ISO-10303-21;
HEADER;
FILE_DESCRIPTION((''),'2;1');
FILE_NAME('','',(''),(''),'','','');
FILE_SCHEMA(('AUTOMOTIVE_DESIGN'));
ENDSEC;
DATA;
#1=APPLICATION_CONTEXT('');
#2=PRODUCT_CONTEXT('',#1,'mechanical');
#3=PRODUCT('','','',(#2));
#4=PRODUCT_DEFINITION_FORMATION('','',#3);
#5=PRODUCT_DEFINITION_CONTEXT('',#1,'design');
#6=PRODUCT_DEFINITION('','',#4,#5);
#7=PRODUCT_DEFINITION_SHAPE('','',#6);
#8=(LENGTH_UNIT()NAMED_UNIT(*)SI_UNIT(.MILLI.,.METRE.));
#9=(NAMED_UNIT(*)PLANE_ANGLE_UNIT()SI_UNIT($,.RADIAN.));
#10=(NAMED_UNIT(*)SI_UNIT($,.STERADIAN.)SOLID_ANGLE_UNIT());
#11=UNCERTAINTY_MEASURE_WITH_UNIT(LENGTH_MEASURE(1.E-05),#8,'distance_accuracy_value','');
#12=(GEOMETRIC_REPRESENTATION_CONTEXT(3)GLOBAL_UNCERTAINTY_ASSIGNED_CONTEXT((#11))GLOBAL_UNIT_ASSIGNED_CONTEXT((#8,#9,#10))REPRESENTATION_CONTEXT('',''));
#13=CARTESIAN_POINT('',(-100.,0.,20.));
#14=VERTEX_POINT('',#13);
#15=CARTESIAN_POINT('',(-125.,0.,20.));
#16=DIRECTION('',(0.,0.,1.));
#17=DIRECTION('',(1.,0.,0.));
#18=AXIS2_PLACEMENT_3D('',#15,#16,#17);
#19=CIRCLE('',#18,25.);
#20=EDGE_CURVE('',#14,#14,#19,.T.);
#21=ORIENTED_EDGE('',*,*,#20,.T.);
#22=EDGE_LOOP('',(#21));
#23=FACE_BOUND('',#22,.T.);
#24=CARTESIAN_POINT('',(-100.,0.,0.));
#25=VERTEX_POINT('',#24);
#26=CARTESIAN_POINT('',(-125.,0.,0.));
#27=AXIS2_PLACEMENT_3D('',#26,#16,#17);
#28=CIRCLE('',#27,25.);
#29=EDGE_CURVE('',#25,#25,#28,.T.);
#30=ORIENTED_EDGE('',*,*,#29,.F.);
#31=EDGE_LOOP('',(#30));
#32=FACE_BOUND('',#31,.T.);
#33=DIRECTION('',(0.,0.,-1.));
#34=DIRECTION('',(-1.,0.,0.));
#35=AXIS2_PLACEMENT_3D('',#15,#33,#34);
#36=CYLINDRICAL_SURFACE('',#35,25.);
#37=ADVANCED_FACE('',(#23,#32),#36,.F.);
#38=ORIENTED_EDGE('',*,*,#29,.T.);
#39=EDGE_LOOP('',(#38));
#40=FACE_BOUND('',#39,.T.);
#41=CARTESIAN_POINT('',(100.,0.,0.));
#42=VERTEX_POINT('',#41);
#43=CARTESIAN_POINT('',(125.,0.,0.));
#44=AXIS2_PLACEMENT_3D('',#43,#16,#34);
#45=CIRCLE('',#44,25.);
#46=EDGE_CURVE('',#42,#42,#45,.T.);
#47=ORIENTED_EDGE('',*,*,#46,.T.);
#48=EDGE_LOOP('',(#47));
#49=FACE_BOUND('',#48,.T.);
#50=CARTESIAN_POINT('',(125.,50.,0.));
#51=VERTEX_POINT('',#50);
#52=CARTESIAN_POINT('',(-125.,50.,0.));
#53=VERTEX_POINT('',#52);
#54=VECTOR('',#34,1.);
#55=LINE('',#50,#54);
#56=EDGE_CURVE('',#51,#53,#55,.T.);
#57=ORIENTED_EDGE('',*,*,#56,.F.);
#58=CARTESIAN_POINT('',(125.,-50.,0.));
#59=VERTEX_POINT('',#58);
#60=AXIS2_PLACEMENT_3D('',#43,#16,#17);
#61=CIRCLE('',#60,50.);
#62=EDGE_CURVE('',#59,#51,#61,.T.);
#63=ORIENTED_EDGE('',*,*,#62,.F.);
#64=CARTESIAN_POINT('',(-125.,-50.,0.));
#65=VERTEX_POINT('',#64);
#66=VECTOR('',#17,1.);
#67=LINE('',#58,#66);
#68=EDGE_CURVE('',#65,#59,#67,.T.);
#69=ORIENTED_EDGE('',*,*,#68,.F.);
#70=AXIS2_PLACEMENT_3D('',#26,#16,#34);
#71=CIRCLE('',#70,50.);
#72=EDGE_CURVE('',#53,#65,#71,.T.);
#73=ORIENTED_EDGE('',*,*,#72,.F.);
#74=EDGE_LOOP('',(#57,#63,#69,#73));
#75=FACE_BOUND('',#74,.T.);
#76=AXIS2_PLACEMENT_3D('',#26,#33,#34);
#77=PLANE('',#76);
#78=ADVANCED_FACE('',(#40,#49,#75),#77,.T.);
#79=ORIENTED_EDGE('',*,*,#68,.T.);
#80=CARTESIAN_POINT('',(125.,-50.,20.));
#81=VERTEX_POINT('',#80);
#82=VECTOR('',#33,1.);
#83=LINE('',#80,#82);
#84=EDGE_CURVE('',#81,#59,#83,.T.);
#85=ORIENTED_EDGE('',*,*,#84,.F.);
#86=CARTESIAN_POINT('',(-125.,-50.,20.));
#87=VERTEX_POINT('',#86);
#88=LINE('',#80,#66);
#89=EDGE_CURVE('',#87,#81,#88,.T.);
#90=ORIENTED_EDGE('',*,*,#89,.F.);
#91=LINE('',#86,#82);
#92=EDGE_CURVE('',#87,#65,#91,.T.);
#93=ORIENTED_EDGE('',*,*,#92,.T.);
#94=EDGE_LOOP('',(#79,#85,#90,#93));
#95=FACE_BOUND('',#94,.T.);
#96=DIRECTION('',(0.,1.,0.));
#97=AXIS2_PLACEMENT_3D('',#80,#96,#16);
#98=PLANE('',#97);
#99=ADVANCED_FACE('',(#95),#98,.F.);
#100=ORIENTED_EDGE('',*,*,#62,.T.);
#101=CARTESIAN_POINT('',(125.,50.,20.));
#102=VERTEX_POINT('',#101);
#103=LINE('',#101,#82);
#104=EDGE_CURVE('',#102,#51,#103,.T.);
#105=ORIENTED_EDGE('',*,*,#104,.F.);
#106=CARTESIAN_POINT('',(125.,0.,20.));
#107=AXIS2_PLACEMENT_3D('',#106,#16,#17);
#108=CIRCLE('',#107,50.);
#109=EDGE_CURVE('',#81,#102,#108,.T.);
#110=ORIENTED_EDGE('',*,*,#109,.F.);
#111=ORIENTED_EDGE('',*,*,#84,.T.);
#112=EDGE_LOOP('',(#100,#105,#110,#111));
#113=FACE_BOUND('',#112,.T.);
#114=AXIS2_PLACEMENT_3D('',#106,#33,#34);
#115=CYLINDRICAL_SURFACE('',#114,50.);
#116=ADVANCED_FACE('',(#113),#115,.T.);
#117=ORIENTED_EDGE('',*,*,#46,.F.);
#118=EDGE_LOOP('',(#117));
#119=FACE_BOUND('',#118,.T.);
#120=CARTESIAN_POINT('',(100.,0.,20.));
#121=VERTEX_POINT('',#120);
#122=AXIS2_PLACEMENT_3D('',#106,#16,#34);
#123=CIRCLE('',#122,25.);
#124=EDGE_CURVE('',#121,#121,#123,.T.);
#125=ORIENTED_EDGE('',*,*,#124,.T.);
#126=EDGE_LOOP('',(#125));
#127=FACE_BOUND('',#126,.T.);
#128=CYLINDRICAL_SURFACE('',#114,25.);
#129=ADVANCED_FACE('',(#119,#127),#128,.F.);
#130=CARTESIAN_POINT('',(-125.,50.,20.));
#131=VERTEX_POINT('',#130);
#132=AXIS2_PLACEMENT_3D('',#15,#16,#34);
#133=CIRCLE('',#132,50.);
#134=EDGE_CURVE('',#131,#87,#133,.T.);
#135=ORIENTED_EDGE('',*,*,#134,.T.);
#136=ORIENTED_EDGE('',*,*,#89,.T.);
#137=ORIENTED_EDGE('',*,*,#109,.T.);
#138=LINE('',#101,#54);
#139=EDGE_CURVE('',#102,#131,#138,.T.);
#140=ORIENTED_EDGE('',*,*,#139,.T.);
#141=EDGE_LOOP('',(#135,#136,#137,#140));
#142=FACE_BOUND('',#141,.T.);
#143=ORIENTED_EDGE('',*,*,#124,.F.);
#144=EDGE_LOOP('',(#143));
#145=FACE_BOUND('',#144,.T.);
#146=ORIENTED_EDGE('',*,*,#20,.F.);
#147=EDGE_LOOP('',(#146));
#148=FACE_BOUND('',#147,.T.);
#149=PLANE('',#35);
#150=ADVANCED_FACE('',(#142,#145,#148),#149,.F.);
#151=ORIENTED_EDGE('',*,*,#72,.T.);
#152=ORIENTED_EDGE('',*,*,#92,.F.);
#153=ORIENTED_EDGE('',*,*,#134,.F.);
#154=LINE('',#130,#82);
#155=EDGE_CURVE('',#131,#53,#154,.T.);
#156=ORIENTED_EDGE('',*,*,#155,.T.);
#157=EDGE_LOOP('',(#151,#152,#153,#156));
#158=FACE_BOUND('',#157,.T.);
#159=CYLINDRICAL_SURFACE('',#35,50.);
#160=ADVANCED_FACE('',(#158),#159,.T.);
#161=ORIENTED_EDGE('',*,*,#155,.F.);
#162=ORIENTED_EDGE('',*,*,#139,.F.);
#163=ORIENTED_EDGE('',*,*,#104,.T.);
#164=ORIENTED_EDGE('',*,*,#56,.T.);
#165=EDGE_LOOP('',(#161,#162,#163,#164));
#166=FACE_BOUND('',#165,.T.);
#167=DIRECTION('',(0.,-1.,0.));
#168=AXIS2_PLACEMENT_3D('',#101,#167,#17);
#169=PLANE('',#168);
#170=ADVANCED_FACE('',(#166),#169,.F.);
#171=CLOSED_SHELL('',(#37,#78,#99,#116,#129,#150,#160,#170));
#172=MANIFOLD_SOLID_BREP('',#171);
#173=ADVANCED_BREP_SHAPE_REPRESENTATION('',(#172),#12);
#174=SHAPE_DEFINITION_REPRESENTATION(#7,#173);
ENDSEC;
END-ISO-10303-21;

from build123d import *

# Parameters (mm, degrees)
SKETCH1_R           = 25
BOSS_EXTRUDE1_DEPTH = 20


with BuildPart() as part:
    # Sketch1 → Boss-Extrude1 (new body)
    with BuildSketch(Plane.XY):
        with BuildLine():
            Line((125, -50), (-125, -50))
            ThreePointArc((-125, -50), (-175, 0), (-125, 50))
            Line((-125, 50), (125, 50))
            ThreePointArc((125, 50), (175, 0), (125, -50))
        make_face()
        with Locations((-125, 0)):
            Circle(SKETCH1_R, mode=Mode.SUBTRACT)
        with Locations(Location((125, 0, 0), (0, 0, 180))):
            Circle(SKETCH1_R, mode=Mode.SUBTRACT)
    extrude(amount=BOSS_EXTRUDE1_DEPTH)


solid = part.part
